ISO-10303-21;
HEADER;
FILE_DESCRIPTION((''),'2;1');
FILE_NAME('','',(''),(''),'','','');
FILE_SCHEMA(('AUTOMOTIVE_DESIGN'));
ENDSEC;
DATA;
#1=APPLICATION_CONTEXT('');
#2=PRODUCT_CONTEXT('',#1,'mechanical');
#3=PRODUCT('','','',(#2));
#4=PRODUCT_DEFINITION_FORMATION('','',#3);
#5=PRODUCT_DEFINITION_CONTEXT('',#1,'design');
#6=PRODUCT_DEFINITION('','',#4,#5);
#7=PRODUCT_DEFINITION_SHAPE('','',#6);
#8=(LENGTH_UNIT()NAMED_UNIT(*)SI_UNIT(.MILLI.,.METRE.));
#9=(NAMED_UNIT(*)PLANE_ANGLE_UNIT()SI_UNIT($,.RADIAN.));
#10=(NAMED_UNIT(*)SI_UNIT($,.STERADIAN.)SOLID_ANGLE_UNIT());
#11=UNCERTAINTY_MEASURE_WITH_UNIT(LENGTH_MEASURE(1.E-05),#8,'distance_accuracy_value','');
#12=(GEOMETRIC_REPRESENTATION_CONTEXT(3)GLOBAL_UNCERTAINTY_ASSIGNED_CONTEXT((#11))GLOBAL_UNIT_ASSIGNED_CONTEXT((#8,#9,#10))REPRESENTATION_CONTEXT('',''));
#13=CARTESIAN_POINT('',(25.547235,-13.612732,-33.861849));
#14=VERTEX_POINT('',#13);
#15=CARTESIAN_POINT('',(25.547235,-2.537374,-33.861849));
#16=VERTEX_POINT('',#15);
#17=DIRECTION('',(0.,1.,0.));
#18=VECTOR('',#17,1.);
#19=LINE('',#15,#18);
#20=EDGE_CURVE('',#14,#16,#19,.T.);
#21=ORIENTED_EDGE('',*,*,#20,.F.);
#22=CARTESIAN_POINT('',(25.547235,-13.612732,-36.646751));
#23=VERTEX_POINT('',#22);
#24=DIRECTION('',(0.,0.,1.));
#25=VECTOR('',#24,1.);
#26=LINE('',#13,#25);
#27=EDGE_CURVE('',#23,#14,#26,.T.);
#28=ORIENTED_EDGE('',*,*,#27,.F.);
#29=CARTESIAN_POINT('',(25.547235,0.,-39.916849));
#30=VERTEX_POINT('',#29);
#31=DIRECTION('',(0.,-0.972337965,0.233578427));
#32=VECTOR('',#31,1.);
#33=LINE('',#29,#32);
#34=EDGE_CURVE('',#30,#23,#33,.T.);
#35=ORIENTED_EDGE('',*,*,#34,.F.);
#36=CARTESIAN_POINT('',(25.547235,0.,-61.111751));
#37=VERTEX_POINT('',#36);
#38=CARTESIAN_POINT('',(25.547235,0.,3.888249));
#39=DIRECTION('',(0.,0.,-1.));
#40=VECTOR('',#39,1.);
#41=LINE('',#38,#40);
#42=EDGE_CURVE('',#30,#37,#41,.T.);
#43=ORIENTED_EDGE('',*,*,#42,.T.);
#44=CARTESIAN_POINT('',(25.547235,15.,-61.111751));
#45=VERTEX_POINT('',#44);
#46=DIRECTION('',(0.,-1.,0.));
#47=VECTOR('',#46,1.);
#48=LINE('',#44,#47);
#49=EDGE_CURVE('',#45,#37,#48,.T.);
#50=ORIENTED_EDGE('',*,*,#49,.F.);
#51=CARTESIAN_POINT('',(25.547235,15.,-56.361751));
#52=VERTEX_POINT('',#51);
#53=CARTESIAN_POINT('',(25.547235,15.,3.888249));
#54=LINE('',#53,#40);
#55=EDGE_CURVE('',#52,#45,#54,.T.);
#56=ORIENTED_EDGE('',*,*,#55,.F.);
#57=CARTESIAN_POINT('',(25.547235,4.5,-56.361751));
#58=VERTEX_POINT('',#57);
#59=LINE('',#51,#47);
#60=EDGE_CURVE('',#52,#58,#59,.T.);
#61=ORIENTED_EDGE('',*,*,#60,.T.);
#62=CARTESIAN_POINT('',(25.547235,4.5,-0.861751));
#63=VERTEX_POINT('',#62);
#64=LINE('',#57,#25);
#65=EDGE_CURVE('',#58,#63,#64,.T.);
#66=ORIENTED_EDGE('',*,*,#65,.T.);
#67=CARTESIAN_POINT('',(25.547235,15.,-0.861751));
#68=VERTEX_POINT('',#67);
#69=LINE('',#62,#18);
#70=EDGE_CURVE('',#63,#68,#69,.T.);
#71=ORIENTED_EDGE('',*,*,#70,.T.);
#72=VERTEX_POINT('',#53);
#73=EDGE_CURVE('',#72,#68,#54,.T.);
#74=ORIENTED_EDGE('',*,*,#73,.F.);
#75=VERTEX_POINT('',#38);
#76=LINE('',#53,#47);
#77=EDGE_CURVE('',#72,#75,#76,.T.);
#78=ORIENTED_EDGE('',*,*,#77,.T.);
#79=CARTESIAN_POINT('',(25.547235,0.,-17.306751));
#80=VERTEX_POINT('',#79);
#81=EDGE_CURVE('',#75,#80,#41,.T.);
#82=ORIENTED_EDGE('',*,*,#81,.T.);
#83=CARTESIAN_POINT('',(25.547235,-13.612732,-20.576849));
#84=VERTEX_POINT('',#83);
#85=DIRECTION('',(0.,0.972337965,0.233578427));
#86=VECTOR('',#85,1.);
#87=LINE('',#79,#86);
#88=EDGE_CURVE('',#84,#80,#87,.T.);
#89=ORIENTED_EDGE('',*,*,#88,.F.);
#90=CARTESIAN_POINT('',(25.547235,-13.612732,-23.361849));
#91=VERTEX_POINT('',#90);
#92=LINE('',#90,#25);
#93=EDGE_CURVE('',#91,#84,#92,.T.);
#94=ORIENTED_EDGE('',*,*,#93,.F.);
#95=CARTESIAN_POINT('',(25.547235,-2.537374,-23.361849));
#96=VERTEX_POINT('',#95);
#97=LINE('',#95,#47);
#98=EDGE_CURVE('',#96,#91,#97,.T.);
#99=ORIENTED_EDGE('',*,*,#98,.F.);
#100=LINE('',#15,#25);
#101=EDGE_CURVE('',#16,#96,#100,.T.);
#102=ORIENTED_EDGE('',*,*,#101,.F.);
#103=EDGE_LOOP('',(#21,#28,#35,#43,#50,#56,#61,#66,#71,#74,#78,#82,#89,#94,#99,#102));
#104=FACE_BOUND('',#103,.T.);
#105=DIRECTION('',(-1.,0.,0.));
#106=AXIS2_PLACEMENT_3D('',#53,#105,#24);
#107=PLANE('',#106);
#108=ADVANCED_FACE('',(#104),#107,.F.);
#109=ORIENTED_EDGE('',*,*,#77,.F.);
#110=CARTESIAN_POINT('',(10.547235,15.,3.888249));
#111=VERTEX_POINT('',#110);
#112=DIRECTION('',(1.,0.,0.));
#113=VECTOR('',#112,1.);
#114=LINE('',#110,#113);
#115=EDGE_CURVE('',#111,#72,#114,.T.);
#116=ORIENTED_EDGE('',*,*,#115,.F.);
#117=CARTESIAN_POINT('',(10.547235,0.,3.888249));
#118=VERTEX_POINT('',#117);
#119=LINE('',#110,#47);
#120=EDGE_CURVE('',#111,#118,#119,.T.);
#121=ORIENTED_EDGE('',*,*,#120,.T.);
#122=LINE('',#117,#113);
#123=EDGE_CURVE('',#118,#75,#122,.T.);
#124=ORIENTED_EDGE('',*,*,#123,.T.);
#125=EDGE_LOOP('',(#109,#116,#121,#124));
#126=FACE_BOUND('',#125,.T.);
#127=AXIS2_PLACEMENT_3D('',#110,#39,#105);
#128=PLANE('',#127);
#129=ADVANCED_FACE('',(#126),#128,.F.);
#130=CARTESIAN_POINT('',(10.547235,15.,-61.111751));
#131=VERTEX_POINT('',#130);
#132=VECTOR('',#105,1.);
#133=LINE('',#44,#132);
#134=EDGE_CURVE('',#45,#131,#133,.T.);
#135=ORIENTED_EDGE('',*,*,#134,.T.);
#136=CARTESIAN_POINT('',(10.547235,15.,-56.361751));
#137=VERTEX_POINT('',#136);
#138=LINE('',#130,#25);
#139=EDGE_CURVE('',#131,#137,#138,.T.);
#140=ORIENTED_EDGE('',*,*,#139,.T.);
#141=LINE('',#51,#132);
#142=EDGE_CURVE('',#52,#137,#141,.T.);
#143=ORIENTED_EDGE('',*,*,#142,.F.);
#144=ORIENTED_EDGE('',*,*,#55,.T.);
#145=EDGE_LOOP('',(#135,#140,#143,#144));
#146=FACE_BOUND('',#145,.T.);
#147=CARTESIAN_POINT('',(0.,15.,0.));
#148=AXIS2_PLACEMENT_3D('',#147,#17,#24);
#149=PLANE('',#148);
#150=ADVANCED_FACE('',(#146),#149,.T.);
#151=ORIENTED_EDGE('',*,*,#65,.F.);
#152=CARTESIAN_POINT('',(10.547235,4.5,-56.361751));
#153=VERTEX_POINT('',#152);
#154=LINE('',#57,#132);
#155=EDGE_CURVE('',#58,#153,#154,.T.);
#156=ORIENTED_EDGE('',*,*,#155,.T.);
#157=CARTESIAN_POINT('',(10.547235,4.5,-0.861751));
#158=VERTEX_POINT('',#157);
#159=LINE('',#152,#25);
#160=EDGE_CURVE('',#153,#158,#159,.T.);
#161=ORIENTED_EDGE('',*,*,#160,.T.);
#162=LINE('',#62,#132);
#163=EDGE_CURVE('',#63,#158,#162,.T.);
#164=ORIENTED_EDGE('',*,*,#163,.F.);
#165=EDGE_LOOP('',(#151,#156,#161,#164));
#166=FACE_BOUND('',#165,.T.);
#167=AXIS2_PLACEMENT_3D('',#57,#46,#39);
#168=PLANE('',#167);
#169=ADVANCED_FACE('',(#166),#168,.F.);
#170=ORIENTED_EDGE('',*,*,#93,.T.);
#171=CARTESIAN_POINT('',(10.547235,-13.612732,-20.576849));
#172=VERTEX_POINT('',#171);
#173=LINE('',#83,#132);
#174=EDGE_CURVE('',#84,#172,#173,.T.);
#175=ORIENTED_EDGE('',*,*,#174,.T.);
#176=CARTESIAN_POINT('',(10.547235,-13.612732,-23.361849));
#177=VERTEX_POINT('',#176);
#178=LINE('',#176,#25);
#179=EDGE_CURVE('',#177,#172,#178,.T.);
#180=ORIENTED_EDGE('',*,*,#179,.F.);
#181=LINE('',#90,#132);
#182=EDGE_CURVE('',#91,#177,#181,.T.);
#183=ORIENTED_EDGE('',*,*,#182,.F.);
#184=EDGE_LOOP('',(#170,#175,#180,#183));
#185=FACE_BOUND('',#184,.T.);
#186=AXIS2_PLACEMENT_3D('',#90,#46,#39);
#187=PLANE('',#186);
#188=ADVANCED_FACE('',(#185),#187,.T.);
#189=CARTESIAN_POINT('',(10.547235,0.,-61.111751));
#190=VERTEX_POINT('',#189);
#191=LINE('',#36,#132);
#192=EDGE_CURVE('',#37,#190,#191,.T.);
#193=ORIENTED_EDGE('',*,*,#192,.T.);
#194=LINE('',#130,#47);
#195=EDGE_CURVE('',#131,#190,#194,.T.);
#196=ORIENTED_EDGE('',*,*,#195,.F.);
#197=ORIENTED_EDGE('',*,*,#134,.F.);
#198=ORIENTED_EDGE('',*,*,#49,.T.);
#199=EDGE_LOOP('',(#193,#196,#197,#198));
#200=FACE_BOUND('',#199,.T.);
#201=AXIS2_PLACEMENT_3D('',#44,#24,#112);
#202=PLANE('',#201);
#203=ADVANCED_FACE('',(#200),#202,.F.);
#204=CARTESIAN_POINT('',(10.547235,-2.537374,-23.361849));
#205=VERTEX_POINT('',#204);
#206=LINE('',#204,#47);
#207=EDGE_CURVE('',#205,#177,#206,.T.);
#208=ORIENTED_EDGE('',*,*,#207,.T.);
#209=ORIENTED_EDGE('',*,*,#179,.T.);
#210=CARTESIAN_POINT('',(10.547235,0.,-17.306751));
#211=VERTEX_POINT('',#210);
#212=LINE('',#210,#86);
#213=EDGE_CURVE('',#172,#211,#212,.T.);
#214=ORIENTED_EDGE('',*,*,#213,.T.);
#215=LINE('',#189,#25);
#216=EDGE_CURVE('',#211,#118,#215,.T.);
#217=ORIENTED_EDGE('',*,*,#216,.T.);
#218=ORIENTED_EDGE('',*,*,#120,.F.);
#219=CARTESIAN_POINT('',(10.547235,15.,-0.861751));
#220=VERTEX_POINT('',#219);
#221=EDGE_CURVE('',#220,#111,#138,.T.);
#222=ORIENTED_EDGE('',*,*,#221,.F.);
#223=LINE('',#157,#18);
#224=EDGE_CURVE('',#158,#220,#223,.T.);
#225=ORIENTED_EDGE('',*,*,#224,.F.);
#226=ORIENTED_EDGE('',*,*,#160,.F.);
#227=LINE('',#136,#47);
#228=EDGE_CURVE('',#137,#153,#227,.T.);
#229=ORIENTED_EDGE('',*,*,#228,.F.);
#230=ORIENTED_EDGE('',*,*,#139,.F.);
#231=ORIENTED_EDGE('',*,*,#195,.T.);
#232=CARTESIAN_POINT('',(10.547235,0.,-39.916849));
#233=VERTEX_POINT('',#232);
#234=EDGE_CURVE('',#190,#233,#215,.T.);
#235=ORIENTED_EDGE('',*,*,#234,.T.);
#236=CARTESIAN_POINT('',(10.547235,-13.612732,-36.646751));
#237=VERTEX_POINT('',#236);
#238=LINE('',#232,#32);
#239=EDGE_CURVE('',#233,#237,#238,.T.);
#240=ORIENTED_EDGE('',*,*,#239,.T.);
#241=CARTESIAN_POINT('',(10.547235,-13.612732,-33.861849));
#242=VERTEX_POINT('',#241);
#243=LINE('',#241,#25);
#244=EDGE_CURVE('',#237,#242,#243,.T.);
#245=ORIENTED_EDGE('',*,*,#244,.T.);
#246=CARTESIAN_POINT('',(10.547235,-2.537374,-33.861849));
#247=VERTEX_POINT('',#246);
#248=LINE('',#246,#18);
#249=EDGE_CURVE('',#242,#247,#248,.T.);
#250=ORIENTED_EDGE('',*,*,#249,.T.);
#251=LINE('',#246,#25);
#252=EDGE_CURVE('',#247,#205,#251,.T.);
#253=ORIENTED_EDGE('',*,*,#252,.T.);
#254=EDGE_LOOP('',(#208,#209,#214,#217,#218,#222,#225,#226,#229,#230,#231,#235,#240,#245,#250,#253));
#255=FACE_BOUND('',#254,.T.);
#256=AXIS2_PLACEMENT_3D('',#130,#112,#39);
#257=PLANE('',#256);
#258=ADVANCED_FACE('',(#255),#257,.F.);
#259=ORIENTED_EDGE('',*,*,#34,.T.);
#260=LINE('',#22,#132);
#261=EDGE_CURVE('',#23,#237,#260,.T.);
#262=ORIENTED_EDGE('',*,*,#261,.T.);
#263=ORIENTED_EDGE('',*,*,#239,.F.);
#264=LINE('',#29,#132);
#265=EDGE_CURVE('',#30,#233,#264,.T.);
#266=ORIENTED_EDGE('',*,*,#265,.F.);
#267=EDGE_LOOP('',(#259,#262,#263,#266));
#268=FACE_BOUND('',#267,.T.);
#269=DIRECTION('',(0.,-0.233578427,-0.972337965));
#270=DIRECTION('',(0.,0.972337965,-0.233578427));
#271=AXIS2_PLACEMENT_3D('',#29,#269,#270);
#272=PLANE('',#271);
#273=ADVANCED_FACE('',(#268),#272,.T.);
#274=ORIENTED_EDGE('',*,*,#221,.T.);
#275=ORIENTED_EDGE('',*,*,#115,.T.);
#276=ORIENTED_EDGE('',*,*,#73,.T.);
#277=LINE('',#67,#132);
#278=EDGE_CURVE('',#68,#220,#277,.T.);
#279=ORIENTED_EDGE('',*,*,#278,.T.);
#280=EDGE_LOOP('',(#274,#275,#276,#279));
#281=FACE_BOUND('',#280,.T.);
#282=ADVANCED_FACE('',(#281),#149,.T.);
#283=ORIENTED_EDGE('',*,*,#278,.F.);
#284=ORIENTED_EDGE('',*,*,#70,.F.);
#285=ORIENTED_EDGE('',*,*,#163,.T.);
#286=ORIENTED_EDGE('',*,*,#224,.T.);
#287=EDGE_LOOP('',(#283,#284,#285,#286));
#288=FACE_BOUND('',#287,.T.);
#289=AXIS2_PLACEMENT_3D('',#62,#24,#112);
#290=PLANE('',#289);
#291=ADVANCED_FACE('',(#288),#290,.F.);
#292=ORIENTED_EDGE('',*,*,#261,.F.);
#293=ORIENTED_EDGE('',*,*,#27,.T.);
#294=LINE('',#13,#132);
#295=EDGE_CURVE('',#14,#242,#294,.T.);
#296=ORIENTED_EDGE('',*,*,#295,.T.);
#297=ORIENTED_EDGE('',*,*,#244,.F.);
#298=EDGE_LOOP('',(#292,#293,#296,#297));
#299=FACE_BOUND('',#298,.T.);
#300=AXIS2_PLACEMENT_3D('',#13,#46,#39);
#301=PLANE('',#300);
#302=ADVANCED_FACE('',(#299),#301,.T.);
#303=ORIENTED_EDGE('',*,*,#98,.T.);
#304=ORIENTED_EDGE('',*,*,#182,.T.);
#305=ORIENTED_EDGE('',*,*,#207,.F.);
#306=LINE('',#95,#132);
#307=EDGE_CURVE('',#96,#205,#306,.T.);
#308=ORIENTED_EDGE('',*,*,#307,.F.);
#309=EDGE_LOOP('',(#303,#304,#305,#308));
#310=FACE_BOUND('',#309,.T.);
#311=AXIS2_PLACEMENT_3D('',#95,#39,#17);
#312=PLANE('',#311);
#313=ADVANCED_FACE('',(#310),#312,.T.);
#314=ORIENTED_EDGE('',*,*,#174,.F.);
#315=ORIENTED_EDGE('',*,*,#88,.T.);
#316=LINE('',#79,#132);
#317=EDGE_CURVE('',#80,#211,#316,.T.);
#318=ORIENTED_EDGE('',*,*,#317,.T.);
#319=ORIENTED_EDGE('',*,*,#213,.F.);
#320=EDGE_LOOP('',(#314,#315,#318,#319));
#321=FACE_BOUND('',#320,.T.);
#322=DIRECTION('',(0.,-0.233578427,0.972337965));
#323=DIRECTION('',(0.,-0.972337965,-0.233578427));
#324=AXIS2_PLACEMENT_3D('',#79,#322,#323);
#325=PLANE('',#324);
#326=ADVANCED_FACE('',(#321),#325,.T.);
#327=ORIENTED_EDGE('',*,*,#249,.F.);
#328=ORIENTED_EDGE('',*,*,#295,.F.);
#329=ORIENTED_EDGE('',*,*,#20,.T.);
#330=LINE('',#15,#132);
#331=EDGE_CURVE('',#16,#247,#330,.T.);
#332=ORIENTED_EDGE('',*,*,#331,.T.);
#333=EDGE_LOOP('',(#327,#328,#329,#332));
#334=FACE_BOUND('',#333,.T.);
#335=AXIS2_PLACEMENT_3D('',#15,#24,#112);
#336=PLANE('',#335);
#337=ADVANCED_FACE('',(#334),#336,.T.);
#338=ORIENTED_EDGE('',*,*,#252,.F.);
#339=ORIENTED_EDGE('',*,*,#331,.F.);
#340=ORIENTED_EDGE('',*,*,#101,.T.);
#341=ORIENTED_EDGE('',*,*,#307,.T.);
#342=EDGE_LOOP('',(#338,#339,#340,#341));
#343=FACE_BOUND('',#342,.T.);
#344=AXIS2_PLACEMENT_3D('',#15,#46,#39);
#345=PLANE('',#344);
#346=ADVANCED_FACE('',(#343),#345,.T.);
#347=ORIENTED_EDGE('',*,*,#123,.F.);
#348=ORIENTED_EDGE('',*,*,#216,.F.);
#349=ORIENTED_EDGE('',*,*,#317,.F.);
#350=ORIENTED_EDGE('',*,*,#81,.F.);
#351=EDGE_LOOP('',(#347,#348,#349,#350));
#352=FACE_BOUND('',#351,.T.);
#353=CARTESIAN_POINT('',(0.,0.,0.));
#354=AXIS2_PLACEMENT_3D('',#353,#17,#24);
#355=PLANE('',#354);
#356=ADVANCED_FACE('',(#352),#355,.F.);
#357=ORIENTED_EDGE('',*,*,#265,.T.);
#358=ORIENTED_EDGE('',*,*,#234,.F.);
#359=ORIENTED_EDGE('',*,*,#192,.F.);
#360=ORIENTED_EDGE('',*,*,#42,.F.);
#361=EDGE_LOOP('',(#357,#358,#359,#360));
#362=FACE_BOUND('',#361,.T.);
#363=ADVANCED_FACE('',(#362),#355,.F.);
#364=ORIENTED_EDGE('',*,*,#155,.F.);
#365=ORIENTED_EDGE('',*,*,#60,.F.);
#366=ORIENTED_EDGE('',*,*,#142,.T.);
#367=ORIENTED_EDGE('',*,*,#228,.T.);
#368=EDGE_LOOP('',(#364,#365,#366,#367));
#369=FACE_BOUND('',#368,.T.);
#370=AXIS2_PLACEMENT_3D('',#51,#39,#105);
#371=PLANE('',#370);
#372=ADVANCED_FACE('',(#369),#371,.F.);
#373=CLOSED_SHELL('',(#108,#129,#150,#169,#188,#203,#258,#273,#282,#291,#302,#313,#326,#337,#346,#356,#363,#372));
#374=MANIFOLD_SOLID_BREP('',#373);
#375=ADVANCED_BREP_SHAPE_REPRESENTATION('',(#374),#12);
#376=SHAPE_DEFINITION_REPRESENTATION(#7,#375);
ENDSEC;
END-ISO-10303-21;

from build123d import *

# Parameters (mm, degrees)
SKETCH_2_W          = 15
SKETCH_2_H          = 65
EXTRUDE_1_DEPTH     = 15
SKETCH_7_W          = 55.5
SKETCH_7_H          = 10.5
CUT_EXTRUDE_3_DEPTH = 65.688840837
EXTRUDE_3_DEPTH     = 15


with BuildPart() as part:
    # 草图2 → 凸台-拉伸1 (new body)
    with BuildSketch(Plane(origin=(0, 0, 0), x_dir=(1, 0, 0), z_dir=(0, 1, 0))):
        with Locations((18.047235023, 28.611751152)):
            Rectangle(SKETCH_2_W, SKETCH_2_H)
    extrude(amount=EXTRUDE_1_DEPTH)

    # 草图7 → 切除-拉伸3 (cut, through all)
    with BuildSketch(Plane.ZY.offset(-10.547235023)):
        with Locations((-28.611751152, 9.75)):
            Rectangle(SKETCH_7_W, SKETCH_7_H)
    extrude(amount=-CUT_EXTRUDE_3_DEPTH, mode=Mode.SUBTRACT)

    # 草图8 → 凸台-拉伸3 (add)
    with BuildSketch(Plane.ZY.offset(-10.547235023)):
        Polygon((-17.306751152, 0), (-20.576849127, -13.612731513), (-23.361849127, -13.612731513), (-23.361849127, -2.537373778), (-33.861849127, -2.537373778), (-33.861849127, -13.612731513), (-36.646751152, -13.612731513), (-39.916849127, 0), align=None)
    extrude(amount=-EXTRUDE_3_DEPTH)


solid = part.part
